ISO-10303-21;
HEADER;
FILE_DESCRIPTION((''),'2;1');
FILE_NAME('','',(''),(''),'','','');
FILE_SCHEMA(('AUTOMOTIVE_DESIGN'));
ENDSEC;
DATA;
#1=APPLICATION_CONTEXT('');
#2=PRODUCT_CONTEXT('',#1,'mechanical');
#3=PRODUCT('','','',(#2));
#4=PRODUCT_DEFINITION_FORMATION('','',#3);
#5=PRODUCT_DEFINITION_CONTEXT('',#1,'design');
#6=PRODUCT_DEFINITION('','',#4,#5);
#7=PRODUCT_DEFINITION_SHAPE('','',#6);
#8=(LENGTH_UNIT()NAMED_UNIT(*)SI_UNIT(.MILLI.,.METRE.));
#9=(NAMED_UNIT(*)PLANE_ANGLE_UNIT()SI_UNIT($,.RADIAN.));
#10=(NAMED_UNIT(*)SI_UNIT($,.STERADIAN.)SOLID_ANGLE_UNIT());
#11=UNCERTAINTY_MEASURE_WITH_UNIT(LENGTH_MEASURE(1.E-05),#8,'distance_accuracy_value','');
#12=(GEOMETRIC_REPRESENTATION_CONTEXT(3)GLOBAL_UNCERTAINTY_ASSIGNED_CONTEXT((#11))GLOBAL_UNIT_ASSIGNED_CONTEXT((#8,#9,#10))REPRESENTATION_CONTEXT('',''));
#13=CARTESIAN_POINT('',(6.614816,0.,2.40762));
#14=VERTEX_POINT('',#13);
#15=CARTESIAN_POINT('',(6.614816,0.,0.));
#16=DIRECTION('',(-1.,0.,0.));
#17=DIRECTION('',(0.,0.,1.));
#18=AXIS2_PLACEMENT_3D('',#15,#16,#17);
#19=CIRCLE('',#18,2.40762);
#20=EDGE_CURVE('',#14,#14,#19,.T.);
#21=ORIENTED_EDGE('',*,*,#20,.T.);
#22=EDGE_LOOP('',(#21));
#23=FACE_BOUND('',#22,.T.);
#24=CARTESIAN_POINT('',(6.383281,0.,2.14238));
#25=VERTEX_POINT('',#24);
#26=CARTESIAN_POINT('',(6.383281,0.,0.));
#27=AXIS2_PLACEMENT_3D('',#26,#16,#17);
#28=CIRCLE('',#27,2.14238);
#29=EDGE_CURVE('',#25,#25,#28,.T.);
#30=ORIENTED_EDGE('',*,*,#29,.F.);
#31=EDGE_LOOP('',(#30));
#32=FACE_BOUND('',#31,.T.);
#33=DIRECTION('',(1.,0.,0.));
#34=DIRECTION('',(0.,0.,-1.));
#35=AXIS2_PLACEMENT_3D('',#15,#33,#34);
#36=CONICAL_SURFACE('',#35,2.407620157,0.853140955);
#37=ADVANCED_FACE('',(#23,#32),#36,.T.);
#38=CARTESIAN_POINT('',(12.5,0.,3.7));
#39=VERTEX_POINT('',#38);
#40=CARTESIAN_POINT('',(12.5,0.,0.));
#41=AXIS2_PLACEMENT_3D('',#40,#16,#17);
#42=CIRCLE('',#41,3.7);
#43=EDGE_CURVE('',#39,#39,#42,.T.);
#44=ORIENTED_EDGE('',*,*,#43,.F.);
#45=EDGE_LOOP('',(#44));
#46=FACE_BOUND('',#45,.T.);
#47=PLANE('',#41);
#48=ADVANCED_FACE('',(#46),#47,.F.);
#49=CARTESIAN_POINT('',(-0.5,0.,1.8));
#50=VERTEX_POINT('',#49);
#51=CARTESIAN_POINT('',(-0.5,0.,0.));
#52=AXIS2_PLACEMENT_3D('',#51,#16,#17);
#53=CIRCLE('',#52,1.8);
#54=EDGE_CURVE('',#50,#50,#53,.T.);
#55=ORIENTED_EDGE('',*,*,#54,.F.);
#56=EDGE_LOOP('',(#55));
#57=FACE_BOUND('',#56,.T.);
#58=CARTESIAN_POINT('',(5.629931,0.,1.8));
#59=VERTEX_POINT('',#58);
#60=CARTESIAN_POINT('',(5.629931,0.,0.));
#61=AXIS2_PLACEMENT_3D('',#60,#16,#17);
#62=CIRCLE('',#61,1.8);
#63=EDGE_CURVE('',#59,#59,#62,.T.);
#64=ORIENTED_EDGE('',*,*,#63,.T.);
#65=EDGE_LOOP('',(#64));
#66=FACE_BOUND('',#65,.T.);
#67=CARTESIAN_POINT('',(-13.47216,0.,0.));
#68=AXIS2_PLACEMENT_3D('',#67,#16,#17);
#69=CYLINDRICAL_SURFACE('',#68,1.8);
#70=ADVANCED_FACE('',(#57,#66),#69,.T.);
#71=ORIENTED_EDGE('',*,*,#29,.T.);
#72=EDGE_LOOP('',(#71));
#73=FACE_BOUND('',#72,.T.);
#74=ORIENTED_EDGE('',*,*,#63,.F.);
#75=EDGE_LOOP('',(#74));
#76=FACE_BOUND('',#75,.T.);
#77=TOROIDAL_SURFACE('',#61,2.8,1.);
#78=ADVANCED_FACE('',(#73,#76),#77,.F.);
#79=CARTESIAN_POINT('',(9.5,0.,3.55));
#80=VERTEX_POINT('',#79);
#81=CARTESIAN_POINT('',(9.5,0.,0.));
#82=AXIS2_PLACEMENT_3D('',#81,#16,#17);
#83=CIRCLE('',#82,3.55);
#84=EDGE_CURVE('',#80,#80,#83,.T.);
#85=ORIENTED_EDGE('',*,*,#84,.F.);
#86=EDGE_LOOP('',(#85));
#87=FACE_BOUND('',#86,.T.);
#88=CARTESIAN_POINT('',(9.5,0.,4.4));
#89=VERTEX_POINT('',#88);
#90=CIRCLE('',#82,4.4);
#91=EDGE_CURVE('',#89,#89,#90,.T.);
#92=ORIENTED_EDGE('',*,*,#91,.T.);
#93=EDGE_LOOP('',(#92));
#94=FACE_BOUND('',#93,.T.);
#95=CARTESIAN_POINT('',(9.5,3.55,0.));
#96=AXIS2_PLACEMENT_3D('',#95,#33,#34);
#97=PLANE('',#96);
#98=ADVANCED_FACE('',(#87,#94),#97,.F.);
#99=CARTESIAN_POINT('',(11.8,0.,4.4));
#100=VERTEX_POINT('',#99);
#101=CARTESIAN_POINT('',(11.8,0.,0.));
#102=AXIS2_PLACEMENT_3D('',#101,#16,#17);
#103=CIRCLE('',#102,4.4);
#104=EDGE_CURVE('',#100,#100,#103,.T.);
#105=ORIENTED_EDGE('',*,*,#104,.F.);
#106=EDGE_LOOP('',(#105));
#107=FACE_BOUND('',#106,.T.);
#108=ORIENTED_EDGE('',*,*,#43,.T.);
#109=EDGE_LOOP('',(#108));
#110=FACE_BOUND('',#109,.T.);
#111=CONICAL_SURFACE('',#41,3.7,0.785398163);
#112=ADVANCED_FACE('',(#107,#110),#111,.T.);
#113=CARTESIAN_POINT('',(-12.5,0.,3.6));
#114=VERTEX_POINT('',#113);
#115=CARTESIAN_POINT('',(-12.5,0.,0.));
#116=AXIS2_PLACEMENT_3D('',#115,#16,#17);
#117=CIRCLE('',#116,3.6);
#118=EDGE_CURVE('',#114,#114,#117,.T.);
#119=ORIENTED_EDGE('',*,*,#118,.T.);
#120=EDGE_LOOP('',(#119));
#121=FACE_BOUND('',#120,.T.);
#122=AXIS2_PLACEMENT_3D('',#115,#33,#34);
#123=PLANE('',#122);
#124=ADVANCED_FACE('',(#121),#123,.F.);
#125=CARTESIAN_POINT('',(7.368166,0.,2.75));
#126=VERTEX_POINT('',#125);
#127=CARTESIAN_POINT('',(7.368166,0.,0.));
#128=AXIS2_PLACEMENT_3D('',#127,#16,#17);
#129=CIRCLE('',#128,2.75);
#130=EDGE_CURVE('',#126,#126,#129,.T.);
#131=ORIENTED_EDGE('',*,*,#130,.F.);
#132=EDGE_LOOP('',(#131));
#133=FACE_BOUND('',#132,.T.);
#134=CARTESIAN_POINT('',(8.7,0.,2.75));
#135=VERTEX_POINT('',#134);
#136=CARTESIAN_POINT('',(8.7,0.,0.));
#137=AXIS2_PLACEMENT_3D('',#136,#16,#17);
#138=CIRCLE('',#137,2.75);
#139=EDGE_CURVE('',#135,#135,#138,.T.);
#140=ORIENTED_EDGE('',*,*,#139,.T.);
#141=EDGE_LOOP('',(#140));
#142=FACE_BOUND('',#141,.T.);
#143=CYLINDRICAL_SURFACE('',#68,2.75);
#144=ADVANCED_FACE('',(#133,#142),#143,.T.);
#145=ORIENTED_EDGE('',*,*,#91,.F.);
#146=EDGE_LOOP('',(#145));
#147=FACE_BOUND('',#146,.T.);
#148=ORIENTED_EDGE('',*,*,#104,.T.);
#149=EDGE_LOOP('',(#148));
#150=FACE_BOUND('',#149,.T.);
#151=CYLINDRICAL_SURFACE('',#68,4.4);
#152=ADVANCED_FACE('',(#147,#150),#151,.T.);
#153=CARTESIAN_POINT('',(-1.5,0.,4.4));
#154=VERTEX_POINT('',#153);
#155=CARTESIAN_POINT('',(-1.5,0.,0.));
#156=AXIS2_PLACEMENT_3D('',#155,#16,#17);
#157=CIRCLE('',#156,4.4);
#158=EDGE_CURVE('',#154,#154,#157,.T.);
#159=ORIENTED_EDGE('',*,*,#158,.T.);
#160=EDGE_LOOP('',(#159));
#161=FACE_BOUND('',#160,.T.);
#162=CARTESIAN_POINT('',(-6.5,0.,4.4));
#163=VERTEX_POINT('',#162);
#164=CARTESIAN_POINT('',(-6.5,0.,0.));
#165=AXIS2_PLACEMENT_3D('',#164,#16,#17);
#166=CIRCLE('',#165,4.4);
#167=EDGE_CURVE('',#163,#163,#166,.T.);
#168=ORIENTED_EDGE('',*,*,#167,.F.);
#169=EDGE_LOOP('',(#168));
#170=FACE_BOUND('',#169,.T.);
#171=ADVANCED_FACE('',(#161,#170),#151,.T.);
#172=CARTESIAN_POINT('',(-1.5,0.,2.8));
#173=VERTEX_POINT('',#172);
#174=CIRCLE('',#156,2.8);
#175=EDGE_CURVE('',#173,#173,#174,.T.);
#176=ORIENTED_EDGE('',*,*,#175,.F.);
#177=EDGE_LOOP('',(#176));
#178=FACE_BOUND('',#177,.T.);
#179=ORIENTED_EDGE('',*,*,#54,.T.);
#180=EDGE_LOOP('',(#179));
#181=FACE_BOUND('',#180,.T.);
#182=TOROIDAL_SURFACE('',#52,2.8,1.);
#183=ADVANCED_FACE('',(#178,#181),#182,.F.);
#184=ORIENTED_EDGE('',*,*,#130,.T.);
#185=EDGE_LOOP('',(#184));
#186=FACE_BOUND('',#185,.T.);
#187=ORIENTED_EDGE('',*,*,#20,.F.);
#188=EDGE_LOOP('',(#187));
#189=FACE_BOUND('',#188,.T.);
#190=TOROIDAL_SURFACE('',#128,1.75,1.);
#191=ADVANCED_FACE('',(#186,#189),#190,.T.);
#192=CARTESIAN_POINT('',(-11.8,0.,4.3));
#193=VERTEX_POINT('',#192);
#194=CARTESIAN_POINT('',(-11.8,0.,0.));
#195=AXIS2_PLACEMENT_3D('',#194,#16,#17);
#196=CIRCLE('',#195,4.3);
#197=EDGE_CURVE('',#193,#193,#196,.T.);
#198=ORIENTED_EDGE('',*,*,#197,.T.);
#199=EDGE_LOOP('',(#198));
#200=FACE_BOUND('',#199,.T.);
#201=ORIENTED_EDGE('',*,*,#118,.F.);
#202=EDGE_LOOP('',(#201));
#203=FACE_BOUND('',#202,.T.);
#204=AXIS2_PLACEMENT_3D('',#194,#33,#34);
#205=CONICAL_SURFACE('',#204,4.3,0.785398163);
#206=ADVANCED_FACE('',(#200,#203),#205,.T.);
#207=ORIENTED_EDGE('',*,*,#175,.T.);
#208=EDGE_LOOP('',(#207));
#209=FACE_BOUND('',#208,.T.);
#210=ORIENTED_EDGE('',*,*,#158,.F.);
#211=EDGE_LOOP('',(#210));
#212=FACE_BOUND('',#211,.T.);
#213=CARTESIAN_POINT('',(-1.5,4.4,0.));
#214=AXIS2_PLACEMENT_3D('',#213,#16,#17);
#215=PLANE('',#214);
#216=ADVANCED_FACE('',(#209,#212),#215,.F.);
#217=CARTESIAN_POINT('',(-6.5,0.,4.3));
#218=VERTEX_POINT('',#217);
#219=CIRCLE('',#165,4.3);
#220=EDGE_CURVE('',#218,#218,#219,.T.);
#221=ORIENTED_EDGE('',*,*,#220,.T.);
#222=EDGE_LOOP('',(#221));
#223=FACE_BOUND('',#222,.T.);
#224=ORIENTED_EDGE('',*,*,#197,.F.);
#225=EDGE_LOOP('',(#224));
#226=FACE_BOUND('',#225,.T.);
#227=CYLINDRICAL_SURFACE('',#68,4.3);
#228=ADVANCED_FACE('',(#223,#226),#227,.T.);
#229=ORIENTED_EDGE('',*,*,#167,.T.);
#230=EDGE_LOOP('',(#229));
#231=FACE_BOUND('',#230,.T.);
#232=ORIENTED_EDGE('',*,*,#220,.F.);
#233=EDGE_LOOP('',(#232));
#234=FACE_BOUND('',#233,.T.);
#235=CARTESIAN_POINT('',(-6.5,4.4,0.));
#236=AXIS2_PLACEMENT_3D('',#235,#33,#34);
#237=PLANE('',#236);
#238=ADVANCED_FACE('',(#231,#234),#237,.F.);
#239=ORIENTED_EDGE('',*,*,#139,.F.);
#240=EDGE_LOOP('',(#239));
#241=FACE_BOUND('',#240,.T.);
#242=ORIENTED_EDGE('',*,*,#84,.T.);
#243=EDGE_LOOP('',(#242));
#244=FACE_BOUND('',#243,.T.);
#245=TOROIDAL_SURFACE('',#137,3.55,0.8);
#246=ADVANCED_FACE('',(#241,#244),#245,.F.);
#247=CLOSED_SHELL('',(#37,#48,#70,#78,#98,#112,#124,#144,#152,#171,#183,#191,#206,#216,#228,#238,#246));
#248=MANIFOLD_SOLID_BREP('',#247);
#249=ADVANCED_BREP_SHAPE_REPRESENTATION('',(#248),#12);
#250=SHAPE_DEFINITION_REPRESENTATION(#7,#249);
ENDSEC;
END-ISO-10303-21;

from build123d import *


with BuildPart() as part:
    # Esquisse1 → Révolution1 (revolve)
    with BuildSketch(Plane.XY):
        with BuildLine():
            Line((-6.5, 4.4), (-6.5, 4.3))
            Line((-6.5, 4.3), (-11.8, 4.3))
            Line((-11.8, 4.3), (-12.5, 3.6))
            Line((-12.5, 3.6), (-12.5, 0))
            Line((-12.5, 0), (12.5, 0))
            Line((12.5, 0), (12.5, 3.7))
            Line((12.5, 3.7), (11.8, 4.4))
            Line((11.8, 4.4), (9.5, 4.4))
            Line((9.5, 4.4), (9.5, 3.55))
            ThreePointArc((9.5, 3.55), (9.265685425, 2.984314575), (8.7, 2.75))
            Line((8.7, 2.75), (7.368165998, 2.75))
            ThreePointArc((7.368165998, 2.75), (6.954414959, 2.660390069), (6.614816325, 2.407620157))
            Line((6.614816325, 2.407620157), (6.383280582, 2.142379843))
            ThreePointArc((6.383280582, 2.142379843), (6.043681947, 1.889609931), (5.629930909, 1.8))
            Line((5.629930909, 1.8), (-0.5, 1.8))
            ThreePointArc((-0.5, 1.8), (-1.207106781, 2.092893219), (-1.5, 2.8))
            Line((-1.5, 2.8), (-1.5, 4.4))
            Line((-1.5, 4.4), (-6.5, 4.4))
        make_face()
    revolve(axis=Axis((-13.47216, 0, 0), (1, 0, 0)))


solid = part.part
